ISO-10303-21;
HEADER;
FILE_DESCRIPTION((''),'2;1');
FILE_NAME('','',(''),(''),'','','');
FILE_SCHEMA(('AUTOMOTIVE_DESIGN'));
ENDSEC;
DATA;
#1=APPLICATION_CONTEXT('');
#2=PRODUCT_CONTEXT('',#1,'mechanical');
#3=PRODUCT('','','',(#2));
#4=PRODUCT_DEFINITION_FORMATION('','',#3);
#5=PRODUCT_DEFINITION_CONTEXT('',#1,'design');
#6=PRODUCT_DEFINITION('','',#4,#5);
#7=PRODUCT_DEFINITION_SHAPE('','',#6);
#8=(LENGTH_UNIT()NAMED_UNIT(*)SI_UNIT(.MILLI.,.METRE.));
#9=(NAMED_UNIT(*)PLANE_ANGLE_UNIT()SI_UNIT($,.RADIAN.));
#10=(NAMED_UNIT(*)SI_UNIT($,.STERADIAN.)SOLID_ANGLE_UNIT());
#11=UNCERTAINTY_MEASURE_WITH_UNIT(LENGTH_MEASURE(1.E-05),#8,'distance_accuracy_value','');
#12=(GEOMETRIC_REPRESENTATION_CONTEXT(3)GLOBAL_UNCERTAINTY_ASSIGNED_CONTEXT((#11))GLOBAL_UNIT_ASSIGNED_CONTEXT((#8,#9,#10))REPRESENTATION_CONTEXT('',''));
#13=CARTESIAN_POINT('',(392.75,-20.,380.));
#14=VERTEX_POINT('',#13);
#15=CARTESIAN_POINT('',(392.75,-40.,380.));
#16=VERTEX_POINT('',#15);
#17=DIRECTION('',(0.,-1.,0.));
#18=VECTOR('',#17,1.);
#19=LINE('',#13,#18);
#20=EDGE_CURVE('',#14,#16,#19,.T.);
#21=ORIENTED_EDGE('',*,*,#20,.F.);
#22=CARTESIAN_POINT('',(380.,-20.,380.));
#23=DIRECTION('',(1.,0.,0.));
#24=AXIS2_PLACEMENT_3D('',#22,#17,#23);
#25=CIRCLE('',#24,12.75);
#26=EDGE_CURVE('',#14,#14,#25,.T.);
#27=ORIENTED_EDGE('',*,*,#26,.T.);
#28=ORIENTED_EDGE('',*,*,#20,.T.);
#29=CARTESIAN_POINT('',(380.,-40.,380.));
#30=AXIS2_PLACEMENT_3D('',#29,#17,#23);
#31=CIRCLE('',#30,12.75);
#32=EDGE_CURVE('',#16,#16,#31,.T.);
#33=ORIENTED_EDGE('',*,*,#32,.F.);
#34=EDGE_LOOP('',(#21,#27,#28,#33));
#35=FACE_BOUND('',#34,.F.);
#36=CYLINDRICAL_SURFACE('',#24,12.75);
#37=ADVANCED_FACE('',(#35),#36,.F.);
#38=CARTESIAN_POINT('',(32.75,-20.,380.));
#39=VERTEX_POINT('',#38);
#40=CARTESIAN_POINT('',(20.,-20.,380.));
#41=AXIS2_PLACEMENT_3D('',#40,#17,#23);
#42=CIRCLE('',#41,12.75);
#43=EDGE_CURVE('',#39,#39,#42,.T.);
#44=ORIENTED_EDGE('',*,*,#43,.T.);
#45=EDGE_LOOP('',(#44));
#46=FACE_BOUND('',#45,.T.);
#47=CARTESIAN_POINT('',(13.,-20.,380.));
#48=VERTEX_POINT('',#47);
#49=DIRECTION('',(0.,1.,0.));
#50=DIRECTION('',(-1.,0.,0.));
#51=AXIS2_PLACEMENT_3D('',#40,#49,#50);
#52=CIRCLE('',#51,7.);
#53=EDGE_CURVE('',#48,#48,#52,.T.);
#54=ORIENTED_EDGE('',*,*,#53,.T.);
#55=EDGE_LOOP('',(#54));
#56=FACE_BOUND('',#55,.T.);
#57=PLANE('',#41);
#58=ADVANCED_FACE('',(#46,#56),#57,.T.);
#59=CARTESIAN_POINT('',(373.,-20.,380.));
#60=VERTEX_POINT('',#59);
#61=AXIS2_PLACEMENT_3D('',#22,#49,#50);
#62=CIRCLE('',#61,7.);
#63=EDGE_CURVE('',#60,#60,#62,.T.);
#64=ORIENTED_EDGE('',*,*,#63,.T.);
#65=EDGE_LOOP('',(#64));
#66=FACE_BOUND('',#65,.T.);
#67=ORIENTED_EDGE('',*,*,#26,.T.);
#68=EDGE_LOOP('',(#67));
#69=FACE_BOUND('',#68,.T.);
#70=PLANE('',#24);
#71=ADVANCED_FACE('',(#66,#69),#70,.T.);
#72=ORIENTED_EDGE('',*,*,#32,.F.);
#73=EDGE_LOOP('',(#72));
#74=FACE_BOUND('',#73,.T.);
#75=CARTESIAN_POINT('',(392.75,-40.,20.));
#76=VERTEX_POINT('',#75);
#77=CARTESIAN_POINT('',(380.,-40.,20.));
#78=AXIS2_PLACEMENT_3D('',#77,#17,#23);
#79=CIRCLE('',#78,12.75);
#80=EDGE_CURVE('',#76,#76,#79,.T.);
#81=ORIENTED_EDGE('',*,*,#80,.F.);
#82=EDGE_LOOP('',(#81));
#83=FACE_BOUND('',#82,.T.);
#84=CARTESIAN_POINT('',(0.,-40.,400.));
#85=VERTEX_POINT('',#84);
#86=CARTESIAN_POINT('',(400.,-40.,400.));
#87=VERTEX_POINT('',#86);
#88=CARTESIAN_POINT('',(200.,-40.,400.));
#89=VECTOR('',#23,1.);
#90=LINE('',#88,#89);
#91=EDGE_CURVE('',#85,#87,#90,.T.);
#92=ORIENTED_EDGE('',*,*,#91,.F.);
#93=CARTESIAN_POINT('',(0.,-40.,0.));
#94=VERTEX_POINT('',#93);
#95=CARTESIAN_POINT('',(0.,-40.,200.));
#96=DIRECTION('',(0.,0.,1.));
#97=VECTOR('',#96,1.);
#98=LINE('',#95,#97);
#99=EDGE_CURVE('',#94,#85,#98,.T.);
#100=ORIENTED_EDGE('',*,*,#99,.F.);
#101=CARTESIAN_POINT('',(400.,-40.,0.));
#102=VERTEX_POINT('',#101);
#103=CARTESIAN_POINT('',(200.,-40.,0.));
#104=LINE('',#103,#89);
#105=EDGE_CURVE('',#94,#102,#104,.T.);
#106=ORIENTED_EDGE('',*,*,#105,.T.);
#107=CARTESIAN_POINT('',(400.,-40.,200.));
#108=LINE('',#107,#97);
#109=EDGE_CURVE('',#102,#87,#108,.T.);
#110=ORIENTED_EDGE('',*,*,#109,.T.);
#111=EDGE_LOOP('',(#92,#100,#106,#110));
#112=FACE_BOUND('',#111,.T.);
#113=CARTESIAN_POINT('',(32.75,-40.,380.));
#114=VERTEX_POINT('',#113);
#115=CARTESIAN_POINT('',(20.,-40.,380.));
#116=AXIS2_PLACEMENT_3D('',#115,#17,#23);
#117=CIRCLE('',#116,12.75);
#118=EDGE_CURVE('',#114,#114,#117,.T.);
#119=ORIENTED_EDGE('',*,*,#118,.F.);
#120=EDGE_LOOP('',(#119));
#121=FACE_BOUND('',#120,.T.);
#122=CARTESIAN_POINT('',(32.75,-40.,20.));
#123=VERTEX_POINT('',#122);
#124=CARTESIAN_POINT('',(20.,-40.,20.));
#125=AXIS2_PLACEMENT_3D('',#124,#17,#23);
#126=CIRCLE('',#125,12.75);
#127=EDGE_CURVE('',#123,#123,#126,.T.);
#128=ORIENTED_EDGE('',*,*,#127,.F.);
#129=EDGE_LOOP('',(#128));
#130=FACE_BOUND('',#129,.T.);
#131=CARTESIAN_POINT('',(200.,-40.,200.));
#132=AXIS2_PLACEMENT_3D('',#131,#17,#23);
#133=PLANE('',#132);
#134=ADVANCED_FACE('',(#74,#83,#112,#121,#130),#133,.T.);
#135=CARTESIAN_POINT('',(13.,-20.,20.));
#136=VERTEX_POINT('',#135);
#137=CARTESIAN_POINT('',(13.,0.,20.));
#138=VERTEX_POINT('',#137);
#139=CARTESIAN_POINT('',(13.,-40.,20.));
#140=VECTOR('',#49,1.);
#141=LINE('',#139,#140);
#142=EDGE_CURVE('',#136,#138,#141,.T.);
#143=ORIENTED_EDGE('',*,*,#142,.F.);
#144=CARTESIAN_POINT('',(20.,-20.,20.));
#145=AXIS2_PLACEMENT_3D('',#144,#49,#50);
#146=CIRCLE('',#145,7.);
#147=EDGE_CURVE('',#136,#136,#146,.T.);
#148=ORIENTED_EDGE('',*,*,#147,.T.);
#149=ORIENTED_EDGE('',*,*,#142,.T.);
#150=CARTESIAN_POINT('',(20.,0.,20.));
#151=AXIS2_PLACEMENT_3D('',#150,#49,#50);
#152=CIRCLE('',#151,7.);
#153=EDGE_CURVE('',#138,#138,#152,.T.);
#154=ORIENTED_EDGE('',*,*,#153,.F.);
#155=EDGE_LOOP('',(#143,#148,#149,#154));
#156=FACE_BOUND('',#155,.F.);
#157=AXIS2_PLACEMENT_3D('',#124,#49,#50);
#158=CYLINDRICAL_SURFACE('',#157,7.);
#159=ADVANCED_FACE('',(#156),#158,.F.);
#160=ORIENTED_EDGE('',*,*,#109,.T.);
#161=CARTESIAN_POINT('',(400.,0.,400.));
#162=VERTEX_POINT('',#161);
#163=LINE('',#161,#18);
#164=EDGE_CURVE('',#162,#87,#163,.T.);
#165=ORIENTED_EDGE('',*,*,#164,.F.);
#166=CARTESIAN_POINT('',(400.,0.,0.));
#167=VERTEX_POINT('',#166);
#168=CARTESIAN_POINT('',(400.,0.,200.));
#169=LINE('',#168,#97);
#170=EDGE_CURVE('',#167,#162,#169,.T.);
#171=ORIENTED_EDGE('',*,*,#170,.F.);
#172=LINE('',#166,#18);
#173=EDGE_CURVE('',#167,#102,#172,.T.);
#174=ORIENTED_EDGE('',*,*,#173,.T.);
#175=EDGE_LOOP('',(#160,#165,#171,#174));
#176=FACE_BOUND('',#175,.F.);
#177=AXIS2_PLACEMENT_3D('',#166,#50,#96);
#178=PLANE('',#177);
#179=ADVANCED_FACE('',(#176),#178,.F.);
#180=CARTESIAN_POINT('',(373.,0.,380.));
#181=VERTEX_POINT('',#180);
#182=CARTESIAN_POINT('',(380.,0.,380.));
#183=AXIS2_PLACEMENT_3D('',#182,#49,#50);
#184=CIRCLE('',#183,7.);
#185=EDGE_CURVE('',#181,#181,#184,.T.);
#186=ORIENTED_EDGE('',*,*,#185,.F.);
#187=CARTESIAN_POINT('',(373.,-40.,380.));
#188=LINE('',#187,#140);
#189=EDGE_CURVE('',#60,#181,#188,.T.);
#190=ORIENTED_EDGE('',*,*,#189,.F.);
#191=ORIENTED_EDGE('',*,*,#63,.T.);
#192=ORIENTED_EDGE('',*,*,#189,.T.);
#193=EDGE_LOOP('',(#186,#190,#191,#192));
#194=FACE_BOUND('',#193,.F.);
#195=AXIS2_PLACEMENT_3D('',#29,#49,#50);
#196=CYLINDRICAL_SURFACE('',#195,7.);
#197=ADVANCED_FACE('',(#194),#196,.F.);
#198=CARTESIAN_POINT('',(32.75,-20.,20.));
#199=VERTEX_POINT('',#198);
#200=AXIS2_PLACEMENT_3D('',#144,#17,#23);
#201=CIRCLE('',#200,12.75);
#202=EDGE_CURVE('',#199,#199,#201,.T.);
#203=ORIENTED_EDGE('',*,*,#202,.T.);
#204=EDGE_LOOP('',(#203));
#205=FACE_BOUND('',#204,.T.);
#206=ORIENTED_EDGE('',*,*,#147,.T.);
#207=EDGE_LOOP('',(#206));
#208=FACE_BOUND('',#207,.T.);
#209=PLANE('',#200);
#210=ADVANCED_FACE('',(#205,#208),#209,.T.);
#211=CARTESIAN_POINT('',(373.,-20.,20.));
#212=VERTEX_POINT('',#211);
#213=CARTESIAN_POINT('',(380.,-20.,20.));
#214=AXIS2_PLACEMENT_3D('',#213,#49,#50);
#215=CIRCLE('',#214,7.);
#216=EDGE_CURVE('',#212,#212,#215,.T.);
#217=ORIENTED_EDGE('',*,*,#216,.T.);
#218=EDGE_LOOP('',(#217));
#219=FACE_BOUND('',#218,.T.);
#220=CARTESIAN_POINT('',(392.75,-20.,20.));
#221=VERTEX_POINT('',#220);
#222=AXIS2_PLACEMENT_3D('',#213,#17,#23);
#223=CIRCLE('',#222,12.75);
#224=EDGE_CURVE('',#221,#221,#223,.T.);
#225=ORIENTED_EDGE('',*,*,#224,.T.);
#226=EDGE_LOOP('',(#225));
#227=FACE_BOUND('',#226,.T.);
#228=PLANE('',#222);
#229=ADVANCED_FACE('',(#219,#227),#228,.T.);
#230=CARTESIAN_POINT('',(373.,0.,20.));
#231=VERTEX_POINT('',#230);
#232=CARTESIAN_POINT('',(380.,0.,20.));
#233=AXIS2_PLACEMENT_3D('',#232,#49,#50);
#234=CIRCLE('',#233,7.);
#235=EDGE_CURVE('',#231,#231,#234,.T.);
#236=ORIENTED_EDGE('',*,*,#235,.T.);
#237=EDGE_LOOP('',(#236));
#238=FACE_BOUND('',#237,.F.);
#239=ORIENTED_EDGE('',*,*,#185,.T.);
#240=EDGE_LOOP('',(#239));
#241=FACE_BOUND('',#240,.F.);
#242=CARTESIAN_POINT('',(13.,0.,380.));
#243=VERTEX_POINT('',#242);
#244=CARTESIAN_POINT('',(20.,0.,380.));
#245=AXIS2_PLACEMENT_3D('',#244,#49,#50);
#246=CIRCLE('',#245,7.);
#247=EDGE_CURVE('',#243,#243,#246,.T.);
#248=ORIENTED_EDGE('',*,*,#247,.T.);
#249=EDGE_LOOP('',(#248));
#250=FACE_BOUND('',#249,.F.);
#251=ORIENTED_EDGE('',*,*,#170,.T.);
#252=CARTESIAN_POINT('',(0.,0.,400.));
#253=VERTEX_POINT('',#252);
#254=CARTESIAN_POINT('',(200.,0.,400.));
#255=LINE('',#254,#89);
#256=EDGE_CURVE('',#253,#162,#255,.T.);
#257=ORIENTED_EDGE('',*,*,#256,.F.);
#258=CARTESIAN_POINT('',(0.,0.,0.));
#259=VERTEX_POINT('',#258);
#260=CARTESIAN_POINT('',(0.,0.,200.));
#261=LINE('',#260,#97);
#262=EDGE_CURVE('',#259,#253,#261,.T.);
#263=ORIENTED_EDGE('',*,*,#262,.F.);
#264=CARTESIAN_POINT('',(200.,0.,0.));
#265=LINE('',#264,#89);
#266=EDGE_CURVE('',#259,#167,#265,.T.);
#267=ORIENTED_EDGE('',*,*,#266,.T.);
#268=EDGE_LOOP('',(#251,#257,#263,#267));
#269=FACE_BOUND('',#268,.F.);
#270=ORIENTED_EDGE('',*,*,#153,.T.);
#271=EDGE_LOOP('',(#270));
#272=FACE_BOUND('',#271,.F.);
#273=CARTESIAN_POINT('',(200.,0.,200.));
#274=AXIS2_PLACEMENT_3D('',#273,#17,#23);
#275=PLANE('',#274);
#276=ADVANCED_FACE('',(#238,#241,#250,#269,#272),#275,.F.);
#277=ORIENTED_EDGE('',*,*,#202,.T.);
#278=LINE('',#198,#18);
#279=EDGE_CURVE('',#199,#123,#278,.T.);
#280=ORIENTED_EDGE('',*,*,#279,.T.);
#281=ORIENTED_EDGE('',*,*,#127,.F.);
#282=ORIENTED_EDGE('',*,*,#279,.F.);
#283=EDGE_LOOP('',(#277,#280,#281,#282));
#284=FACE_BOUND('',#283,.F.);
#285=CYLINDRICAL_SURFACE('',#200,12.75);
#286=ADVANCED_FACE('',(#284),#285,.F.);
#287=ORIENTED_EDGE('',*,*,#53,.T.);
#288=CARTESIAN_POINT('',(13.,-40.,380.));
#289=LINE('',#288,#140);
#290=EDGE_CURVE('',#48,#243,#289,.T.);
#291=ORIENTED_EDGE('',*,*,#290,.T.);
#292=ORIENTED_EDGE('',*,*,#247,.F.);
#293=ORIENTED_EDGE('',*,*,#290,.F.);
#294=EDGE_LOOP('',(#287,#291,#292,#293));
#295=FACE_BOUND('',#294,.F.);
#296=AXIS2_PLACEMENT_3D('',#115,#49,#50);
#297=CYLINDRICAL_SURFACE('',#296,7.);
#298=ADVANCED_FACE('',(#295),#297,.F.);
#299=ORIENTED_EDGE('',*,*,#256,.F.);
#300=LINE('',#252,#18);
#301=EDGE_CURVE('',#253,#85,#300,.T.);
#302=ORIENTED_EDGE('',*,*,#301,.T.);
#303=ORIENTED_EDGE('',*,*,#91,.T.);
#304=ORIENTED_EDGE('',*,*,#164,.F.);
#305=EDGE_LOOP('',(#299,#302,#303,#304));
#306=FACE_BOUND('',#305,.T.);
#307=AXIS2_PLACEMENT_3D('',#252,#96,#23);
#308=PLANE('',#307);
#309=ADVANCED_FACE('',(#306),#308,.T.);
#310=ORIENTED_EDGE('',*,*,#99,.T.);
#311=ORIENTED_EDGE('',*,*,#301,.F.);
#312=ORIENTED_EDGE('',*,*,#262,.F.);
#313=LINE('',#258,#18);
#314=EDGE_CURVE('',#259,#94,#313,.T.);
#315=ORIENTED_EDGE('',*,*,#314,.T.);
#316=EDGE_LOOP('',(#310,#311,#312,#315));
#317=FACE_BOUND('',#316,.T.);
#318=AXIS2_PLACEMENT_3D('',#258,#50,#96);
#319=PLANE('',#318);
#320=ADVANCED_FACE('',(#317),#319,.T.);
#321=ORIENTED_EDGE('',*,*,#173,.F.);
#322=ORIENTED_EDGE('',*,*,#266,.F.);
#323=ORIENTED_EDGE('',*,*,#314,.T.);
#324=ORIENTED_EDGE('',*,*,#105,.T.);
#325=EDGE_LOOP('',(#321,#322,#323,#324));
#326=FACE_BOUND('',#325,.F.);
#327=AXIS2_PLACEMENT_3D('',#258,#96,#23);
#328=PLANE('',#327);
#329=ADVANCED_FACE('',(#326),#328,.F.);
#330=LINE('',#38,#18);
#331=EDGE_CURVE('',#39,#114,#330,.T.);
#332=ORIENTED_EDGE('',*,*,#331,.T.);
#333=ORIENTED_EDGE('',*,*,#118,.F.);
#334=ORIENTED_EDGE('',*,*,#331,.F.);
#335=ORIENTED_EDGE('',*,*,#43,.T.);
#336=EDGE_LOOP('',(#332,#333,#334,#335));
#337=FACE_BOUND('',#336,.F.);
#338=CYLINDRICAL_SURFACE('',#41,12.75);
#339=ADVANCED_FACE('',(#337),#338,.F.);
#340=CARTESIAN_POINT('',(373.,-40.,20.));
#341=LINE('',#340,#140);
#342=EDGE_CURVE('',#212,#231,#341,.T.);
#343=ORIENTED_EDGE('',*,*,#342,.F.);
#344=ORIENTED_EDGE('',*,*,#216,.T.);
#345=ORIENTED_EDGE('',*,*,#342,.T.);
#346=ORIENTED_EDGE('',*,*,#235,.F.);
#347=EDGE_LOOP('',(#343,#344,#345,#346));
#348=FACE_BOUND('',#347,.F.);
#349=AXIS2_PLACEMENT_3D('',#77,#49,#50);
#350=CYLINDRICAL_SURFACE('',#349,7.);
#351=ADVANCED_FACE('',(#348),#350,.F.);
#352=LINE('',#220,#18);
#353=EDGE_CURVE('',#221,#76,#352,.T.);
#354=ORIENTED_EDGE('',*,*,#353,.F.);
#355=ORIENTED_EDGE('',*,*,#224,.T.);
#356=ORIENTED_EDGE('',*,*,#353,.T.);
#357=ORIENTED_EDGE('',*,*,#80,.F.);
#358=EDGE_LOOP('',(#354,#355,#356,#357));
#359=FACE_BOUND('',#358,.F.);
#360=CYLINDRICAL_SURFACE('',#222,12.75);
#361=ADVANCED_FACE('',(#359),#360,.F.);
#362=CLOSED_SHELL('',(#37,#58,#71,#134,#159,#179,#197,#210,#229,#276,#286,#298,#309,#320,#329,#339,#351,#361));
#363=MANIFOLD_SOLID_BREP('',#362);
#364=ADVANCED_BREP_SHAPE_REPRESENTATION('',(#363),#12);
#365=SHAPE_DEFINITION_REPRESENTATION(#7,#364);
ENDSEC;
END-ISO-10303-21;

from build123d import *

# Parameters (mm, degrees)
F0_W           = 400
F0_H           = 400
F1_DEPTH       = 40
F3_D           = 14
F3_CBORE_D     = 25.5
F3_CBORE_DEPTH = 20


with BuildPart() as f1:
    # F0 (on Front) → F1 (new body)
    with BuildSketch(Plane.XZ):
        with Locations((200, 200)):
            Rectangle(F0_W, F0_H)
    extrude(amount=F1_DEPTH)

    # F3 (through all)
    with Locations(Plane.XZ.offset(40)):
        with Locations((20, 380), (380, 380), (380, 20), (20, 20)):
            CounterBoreHole(F3_D / 2, F3_CBORE_D / 2, F3_CBORE_DEPTH)


solid = f1.part
